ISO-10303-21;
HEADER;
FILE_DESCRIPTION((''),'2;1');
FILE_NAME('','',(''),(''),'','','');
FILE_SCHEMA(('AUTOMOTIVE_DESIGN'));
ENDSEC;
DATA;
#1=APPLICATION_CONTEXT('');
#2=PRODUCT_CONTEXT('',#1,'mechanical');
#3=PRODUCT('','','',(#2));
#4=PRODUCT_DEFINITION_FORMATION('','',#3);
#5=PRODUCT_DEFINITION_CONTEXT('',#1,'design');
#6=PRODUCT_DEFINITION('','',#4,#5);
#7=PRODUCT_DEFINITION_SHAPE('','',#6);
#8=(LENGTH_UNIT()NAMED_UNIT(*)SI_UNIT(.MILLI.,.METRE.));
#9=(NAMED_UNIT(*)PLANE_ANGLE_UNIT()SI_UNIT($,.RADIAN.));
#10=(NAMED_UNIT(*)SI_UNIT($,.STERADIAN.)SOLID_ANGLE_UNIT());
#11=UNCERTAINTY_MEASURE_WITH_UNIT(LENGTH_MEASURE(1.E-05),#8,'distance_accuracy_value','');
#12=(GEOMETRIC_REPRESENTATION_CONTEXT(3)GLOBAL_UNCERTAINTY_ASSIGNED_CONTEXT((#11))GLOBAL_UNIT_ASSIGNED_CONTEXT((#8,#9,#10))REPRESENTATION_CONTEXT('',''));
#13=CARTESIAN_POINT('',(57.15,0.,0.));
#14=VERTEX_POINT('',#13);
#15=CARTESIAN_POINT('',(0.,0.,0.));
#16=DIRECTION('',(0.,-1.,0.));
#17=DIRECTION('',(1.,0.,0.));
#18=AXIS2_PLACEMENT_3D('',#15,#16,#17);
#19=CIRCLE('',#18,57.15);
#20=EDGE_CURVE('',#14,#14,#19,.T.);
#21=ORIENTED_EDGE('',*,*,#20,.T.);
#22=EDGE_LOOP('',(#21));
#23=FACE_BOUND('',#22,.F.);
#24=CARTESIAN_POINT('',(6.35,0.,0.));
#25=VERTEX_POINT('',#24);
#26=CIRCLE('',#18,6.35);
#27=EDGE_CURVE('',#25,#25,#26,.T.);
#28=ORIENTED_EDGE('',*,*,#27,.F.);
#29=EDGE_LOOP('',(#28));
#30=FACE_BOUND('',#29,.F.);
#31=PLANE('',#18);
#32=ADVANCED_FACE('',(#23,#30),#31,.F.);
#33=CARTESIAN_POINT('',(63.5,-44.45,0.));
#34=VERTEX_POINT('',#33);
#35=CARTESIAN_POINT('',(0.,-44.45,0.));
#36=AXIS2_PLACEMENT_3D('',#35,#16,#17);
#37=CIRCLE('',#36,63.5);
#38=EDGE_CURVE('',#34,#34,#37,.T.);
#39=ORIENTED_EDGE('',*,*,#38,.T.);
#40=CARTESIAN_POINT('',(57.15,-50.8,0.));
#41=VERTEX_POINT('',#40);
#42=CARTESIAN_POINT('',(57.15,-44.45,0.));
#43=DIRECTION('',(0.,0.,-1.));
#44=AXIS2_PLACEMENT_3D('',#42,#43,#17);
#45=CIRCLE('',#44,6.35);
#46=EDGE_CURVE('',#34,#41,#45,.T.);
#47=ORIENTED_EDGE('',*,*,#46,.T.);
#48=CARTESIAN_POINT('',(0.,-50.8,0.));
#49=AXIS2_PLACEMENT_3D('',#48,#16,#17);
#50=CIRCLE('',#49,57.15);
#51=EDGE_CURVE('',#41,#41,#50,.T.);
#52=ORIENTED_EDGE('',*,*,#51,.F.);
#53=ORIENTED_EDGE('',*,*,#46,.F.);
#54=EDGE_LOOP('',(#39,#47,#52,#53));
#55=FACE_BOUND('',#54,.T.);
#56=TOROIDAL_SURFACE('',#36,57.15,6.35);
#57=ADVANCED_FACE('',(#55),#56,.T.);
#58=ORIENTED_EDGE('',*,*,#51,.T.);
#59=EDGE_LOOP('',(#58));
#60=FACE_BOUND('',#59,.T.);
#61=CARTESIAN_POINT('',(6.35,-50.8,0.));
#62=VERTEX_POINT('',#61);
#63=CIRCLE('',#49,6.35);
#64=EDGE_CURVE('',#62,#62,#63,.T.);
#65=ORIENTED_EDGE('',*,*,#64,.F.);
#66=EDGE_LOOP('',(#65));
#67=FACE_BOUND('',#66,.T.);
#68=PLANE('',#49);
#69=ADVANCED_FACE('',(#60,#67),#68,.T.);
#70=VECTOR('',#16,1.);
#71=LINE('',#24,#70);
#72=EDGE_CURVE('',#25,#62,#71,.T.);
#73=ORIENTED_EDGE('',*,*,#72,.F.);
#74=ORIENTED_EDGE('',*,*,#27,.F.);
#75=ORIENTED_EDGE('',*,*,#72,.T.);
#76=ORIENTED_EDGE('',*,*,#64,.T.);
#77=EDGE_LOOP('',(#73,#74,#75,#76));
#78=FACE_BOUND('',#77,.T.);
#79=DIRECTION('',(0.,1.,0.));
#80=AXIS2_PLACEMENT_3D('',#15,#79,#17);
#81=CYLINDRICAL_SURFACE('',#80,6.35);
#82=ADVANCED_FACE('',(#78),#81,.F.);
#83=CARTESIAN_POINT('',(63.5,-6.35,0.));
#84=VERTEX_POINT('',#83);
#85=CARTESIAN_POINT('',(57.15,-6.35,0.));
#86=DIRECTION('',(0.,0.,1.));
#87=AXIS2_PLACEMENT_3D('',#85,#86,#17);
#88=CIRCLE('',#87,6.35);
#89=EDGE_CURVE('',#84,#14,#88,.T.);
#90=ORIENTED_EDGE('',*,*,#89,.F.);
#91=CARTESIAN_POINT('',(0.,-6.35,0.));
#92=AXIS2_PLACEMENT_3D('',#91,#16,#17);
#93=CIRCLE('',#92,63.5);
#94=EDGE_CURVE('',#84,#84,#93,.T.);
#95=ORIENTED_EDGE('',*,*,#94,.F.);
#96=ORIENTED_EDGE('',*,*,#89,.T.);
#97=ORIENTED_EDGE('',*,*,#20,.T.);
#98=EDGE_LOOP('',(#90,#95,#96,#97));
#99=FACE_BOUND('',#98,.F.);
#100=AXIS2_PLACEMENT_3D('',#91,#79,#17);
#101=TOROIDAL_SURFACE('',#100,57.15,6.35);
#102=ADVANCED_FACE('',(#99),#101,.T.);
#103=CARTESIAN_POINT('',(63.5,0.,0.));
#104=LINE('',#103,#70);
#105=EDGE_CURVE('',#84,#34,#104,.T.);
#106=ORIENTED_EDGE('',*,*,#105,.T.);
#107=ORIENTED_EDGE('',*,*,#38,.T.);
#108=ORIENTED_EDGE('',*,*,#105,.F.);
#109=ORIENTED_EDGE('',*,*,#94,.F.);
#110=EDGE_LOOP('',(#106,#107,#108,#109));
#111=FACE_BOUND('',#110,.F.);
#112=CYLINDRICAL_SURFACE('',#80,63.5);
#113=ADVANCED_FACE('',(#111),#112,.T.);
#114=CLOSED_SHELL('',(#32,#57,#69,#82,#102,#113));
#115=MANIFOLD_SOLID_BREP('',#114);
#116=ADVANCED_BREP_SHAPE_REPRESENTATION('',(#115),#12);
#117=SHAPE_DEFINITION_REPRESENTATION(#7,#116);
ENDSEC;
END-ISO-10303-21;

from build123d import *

# Parameters (mm, degrees)
F0_R     = 63.5
F0_R_2   = 6.35
F1_DEPTH = 50.8
F2_R     = 6.35


with BuildPart() as f1:
    # F0 (on Front) → F1 (new body)
    with BuildSketch(Plane.XZ):
        Circle(F0_R)
        Circle(F0_R_2, mode=Mode.SUBTRACT)
    extrude(amount=F1_DEPTH)

    # F2
    f2_edges = [f1.edges().sort_by_distance(p)[0] for p in [
        (-63.5, -50.8, 0),
        (-63.5, 0, 0),
    ]]
    fillet(f2_edges, radius=F2_R)


solid = f1.part
